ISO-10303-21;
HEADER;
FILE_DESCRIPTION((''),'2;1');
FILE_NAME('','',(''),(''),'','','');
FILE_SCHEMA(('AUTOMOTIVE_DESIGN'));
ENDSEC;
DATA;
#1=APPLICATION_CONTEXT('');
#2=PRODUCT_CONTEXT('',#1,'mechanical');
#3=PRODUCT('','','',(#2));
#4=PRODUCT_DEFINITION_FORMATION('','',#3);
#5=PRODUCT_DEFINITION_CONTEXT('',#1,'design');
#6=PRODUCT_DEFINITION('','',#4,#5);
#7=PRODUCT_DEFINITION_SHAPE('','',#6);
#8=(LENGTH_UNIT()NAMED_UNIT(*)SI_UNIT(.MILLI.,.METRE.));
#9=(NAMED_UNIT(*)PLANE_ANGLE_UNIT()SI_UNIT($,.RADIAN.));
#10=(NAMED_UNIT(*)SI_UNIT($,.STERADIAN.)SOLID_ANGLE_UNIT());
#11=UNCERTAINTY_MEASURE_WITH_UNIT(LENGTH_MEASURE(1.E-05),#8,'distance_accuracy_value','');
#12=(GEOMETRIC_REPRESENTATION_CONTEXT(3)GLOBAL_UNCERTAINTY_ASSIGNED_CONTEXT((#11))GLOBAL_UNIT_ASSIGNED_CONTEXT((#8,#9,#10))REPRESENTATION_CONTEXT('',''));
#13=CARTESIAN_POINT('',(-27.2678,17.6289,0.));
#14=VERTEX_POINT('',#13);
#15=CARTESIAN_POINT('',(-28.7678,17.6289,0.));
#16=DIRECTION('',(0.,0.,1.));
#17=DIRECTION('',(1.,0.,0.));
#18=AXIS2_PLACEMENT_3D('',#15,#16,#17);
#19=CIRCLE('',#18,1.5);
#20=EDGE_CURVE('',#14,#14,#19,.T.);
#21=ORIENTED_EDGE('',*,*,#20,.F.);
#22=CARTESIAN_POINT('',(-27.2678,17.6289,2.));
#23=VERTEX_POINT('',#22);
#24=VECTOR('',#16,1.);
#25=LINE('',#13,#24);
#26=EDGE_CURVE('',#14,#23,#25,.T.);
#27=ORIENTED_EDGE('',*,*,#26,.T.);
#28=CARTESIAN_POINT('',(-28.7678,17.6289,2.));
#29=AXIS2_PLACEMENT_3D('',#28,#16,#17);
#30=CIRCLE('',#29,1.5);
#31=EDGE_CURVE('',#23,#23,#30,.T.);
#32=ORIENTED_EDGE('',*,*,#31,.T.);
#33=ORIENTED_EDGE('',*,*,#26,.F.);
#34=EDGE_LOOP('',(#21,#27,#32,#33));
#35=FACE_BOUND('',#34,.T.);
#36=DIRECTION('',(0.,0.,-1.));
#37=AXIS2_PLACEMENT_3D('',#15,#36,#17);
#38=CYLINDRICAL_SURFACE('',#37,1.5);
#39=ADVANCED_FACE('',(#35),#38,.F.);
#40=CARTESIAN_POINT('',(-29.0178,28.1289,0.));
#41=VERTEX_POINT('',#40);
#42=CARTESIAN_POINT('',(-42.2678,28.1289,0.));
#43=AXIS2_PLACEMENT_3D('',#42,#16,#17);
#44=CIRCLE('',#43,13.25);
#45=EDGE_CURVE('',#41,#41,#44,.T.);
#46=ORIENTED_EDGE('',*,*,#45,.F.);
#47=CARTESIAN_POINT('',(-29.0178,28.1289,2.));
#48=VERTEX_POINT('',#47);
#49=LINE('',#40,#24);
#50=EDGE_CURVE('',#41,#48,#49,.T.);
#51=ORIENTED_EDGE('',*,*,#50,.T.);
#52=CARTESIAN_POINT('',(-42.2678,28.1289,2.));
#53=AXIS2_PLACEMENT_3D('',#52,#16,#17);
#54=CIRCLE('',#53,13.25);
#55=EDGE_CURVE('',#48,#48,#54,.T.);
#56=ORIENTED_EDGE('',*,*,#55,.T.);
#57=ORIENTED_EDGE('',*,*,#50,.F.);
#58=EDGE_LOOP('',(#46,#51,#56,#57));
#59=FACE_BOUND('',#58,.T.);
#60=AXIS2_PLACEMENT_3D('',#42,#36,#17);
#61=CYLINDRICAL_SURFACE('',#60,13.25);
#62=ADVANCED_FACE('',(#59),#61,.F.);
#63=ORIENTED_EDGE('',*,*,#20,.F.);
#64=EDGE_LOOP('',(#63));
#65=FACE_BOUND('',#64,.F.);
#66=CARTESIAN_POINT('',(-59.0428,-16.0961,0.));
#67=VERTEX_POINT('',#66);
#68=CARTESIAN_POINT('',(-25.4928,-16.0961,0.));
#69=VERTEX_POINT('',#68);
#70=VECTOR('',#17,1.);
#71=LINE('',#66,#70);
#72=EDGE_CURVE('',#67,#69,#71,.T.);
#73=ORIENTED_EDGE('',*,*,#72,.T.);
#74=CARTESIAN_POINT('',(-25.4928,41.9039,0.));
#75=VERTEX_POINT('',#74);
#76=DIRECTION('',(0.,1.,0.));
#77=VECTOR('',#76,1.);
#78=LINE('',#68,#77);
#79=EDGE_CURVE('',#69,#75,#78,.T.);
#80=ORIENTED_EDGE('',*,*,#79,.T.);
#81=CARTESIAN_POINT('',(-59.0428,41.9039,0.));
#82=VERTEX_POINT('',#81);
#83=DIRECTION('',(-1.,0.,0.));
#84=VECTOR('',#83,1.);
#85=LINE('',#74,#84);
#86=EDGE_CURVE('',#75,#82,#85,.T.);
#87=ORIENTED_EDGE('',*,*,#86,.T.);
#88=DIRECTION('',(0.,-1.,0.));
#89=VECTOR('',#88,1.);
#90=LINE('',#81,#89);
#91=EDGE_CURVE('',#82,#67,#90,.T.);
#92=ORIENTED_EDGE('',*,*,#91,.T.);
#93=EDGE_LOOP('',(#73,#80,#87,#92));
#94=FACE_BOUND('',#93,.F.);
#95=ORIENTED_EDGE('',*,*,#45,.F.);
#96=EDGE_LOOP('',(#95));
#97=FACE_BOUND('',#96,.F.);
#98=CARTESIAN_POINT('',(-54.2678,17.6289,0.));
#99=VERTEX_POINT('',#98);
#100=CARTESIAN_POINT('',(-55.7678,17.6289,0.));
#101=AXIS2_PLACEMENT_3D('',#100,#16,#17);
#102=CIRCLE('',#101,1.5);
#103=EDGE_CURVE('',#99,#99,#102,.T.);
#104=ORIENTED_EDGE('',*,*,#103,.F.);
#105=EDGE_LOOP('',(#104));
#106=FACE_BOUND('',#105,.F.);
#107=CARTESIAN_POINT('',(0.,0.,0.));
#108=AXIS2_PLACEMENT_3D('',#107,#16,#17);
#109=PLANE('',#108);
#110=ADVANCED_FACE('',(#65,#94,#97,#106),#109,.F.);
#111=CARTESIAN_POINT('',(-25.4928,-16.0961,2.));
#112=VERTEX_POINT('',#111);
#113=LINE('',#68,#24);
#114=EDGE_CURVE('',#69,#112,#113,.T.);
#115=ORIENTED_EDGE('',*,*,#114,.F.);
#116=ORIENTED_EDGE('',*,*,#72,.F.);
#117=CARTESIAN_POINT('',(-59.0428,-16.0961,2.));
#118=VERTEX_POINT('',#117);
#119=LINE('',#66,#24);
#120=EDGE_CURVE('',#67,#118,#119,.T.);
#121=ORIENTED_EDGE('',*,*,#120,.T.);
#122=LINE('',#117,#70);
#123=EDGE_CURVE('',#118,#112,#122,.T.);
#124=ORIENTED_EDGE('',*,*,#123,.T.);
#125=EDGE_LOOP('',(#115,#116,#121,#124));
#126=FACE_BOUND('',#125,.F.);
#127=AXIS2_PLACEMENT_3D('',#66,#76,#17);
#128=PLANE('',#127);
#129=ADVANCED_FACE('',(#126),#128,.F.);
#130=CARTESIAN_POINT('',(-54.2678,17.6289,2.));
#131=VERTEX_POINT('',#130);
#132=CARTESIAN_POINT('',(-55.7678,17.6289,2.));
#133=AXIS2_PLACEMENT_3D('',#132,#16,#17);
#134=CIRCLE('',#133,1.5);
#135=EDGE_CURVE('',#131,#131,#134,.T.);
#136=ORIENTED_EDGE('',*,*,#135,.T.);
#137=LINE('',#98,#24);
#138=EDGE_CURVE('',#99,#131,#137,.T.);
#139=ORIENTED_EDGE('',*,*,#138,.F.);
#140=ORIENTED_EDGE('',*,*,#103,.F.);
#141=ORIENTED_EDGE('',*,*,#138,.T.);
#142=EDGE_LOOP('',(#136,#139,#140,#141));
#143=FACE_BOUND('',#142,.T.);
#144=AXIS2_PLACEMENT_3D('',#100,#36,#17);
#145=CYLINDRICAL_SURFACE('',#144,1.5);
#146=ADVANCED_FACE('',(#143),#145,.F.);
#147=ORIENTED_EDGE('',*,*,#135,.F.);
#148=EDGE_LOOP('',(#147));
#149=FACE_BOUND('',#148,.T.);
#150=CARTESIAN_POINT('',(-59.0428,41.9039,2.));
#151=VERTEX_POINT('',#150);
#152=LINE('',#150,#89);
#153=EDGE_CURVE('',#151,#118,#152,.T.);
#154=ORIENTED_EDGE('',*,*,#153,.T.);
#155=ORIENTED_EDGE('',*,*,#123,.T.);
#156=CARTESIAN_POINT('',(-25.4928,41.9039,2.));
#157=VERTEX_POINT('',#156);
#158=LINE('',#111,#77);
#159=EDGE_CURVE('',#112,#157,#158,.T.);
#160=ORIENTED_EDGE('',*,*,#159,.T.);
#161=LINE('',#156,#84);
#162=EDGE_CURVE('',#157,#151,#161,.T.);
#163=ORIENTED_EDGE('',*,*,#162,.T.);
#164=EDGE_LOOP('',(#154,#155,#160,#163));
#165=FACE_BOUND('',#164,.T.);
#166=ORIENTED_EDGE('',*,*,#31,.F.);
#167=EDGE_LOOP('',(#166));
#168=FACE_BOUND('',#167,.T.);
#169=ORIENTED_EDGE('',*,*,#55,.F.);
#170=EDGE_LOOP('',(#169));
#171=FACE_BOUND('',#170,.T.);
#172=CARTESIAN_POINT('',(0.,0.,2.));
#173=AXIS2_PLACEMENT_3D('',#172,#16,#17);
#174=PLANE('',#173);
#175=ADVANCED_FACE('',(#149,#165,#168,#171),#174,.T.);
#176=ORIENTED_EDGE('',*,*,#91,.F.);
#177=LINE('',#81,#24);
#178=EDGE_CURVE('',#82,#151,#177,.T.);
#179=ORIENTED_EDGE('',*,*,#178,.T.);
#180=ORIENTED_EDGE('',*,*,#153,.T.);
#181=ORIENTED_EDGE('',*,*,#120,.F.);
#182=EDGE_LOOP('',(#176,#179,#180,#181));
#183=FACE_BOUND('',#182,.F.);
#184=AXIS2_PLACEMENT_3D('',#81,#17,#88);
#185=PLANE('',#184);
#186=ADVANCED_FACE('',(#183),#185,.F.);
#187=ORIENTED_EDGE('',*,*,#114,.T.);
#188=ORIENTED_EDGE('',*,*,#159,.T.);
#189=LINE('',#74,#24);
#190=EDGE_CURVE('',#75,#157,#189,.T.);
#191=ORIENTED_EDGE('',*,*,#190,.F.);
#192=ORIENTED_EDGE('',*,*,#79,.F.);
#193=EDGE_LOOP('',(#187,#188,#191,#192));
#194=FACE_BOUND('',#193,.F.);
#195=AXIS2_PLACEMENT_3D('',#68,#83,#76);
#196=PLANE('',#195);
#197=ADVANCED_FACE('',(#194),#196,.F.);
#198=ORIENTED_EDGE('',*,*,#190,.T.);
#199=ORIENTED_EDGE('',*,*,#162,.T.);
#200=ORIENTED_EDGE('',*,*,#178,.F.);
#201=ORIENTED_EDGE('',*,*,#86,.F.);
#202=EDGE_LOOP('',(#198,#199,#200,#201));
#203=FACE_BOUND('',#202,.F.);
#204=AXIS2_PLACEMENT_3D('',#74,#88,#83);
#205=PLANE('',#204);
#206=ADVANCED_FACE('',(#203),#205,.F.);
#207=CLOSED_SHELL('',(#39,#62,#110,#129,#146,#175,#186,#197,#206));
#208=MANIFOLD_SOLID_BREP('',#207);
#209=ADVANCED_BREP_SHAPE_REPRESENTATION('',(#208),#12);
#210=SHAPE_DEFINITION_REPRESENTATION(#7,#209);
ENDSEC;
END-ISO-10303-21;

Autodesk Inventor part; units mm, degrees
ref_plane "YZ Plane" through (0, 0, 0) normal (1, 0, 0) x (0, 1, 0)
ref_plane "XZ Plane" through (0, 0, 0) normal (0, 1, 0) x (-1, 0, 0)
ref_plane "XY Plane" through (0, 0, 0) normal (0, 0, 1) x (1, 0, 0)
sketch "Sketch2" plane through (0, 0, 0) normal (0, 0, 1) x (1, 0, 0)
  circle A0 centre (-42.2678, 28.1289) radius 13.25
  line L0 (-25.4928, 41.9039) -> (-59.0428, 41.9039)
  line L1 (-25.4928, -16.0961) -> (-25.4928, 41.9039)
  line L2 (-59.0428, 41.9039) -> (-59.0428, -16.0961)
  line L3 (-59.0428, -16.0961) -> (-25.4928, -16.0961)
  line L4 (-25.4928, -16.0961) -> (-25.4928, 41.9039)
  line L5 (-59.0428, -16.0961) -> (-25.4928, -16.0961)
  circle A1 centre (-55.7678, 17.6289) radius 1.5
  circle A2 centre (-28.7678, 17.6289) radius 1.5
  point P0 (0, 0)
  point P1 (-25.4928, -10.1461)
  dimension "d10" = 26.5
  dimension "d11" = 13.775
  dimension "d12" = 16.775
  dimension "d14" = 3
  dimension "d15" = 10.5
  dimension "d16" = 3
  dimension "d17" = 27
  dimension "d18" = 10.5
  dimension "d19" = 3.275
  dimension "d22" = 58
extrude "Extrusion1" add sketch "Sketch2" along normal blind 2
properties part number "Motor_Cover_2"
